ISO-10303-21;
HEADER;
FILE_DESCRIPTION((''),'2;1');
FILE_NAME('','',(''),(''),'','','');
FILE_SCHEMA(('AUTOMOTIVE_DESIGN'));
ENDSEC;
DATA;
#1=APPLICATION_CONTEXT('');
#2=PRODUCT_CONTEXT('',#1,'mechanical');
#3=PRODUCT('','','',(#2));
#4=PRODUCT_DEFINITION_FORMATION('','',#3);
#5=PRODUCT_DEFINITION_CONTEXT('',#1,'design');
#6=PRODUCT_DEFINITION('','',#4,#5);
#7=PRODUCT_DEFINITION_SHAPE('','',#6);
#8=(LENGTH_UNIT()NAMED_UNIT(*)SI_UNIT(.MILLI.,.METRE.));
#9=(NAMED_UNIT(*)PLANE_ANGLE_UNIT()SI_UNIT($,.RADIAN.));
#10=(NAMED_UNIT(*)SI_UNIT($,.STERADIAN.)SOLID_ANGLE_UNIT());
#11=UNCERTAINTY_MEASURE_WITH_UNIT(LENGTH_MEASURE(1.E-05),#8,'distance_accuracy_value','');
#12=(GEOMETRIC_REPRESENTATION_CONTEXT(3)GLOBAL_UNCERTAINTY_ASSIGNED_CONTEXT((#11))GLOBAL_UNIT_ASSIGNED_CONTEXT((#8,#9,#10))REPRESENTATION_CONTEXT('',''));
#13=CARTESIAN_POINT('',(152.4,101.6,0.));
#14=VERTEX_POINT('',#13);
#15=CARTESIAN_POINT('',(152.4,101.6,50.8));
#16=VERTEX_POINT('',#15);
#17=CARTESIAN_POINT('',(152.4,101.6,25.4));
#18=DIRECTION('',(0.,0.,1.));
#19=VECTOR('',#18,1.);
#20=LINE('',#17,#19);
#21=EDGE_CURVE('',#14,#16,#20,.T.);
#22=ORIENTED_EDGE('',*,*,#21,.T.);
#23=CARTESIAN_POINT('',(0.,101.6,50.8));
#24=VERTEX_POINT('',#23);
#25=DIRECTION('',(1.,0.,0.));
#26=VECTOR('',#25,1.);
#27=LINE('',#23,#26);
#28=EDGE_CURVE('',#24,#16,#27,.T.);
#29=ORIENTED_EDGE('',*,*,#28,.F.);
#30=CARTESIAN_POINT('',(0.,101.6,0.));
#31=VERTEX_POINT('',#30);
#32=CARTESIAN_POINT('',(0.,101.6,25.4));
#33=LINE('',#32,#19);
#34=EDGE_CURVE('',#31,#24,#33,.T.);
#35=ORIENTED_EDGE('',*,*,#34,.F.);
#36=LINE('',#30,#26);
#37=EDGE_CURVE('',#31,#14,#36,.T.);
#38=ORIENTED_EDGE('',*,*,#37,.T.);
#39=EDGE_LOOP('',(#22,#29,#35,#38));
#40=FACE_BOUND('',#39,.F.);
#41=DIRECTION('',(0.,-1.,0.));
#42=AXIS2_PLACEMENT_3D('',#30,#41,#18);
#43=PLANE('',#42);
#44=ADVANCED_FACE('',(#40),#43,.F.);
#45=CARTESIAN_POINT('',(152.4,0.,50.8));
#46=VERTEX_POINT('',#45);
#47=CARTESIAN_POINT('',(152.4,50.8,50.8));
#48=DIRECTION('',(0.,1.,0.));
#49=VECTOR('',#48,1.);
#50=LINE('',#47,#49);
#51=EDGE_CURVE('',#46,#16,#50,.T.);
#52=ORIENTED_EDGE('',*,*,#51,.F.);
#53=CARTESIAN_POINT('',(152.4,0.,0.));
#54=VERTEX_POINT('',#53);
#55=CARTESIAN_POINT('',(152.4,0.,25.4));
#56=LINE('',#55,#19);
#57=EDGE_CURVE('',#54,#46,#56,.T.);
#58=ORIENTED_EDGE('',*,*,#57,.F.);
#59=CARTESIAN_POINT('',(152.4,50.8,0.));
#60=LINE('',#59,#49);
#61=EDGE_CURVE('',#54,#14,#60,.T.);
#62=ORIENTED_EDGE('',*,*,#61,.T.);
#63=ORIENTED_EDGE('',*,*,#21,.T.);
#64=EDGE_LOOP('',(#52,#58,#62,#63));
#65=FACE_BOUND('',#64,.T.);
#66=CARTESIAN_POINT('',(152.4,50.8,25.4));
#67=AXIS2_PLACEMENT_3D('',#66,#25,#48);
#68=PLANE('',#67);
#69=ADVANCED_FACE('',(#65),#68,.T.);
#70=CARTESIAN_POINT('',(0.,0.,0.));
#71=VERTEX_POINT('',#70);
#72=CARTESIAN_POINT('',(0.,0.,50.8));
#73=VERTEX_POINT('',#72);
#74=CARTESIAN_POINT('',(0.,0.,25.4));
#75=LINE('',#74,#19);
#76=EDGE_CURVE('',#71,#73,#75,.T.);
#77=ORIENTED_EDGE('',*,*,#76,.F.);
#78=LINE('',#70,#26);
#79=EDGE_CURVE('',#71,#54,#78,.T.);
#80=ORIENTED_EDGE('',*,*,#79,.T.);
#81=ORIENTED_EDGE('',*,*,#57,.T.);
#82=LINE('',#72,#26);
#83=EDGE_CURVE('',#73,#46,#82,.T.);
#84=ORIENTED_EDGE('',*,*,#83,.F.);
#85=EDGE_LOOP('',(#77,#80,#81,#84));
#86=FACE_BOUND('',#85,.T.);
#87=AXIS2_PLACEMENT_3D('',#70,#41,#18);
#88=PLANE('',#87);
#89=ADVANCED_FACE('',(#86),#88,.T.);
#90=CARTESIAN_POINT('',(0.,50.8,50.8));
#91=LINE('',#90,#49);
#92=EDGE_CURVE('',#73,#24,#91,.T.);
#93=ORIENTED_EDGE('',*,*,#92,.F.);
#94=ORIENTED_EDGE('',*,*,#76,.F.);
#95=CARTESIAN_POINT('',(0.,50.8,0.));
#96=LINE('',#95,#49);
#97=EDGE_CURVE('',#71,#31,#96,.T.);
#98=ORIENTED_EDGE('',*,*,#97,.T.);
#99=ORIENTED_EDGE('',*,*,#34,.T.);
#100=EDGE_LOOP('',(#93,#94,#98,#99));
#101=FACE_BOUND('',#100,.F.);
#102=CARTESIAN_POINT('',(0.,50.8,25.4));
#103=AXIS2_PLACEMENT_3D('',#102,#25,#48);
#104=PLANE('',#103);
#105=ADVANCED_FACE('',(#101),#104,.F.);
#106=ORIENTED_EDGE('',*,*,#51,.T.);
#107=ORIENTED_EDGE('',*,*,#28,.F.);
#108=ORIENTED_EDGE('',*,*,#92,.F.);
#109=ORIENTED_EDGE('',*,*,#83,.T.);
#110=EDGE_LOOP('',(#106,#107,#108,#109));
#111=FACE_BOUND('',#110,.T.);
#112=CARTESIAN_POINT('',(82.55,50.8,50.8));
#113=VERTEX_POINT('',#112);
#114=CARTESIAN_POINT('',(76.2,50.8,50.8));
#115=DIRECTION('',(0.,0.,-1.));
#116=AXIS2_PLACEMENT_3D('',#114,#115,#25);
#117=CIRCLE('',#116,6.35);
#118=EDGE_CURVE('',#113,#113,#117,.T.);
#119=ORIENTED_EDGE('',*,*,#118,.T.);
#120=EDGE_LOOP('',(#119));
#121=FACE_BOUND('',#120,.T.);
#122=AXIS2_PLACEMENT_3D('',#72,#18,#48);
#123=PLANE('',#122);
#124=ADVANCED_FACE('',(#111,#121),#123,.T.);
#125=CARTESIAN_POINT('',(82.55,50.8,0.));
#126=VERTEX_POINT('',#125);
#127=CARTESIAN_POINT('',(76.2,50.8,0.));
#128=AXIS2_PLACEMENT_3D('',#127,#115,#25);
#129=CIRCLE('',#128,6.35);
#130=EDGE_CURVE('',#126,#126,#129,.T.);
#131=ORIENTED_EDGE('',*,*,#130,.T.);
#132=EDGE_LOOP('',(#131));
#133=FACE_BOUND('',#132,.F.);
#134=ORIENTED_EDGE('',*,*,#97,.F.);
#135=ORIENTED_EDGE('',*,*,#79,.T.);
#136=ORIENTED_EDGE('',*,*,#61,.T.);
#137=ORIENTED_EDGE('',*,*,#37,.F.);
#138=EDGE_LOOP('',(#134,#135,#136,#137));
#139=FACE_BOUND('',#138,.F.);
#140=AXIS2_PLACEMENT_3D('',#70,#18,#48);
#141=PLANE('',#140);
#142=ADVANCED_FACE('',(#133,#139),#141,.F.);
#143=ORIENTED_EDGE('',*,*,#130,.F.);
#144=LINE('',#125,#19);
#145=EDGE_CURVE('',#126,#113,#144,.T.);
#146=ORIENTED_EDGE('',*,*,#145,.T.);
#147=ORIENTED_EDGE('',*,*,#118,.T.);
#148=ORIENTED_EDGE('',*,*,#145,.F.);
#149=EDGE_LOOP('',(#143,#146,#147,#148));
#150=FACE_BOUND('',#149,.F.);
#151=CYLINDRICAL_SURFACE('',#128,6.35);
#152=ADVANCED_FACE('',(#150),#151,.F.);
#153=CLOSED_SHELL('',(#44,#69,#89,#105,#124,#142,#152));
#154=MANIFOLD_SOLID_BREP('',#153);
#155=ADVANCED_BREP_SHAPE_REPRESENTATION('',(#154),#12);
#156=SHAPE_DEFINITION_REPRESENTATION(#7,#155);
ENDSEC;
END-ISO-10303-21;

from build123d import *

# Parameters (mm, degrees)
F0_W     = 101.6
F0_H     = 50.8
F1_DEPTH = 152.4
F2_R     = 6.35
F3_DEPTH = 50.8


with BuildPart() as f1:
    # F0 (on Right) → F1 (new body)
    with BuildSketch(Plane.YZ):
        with Locations((50.8, 25.4)):
            Rectangle(F0_W, F0_H)
    extrude(amount=F1_DEPTH)

    # F2 (on face) → F3 (cut)
    with BuildSketch(Plane(origin=(0, 0, 0), x_dir=(1, 0, 0), z_dir=(0, 0, -1))):
        with Locations((76.2, -50.8)):
            Circle(F2_R)
    extrude(amount=-F3_DEPTH, mode=Mode.SUBTRACT)


solid = f1.part
